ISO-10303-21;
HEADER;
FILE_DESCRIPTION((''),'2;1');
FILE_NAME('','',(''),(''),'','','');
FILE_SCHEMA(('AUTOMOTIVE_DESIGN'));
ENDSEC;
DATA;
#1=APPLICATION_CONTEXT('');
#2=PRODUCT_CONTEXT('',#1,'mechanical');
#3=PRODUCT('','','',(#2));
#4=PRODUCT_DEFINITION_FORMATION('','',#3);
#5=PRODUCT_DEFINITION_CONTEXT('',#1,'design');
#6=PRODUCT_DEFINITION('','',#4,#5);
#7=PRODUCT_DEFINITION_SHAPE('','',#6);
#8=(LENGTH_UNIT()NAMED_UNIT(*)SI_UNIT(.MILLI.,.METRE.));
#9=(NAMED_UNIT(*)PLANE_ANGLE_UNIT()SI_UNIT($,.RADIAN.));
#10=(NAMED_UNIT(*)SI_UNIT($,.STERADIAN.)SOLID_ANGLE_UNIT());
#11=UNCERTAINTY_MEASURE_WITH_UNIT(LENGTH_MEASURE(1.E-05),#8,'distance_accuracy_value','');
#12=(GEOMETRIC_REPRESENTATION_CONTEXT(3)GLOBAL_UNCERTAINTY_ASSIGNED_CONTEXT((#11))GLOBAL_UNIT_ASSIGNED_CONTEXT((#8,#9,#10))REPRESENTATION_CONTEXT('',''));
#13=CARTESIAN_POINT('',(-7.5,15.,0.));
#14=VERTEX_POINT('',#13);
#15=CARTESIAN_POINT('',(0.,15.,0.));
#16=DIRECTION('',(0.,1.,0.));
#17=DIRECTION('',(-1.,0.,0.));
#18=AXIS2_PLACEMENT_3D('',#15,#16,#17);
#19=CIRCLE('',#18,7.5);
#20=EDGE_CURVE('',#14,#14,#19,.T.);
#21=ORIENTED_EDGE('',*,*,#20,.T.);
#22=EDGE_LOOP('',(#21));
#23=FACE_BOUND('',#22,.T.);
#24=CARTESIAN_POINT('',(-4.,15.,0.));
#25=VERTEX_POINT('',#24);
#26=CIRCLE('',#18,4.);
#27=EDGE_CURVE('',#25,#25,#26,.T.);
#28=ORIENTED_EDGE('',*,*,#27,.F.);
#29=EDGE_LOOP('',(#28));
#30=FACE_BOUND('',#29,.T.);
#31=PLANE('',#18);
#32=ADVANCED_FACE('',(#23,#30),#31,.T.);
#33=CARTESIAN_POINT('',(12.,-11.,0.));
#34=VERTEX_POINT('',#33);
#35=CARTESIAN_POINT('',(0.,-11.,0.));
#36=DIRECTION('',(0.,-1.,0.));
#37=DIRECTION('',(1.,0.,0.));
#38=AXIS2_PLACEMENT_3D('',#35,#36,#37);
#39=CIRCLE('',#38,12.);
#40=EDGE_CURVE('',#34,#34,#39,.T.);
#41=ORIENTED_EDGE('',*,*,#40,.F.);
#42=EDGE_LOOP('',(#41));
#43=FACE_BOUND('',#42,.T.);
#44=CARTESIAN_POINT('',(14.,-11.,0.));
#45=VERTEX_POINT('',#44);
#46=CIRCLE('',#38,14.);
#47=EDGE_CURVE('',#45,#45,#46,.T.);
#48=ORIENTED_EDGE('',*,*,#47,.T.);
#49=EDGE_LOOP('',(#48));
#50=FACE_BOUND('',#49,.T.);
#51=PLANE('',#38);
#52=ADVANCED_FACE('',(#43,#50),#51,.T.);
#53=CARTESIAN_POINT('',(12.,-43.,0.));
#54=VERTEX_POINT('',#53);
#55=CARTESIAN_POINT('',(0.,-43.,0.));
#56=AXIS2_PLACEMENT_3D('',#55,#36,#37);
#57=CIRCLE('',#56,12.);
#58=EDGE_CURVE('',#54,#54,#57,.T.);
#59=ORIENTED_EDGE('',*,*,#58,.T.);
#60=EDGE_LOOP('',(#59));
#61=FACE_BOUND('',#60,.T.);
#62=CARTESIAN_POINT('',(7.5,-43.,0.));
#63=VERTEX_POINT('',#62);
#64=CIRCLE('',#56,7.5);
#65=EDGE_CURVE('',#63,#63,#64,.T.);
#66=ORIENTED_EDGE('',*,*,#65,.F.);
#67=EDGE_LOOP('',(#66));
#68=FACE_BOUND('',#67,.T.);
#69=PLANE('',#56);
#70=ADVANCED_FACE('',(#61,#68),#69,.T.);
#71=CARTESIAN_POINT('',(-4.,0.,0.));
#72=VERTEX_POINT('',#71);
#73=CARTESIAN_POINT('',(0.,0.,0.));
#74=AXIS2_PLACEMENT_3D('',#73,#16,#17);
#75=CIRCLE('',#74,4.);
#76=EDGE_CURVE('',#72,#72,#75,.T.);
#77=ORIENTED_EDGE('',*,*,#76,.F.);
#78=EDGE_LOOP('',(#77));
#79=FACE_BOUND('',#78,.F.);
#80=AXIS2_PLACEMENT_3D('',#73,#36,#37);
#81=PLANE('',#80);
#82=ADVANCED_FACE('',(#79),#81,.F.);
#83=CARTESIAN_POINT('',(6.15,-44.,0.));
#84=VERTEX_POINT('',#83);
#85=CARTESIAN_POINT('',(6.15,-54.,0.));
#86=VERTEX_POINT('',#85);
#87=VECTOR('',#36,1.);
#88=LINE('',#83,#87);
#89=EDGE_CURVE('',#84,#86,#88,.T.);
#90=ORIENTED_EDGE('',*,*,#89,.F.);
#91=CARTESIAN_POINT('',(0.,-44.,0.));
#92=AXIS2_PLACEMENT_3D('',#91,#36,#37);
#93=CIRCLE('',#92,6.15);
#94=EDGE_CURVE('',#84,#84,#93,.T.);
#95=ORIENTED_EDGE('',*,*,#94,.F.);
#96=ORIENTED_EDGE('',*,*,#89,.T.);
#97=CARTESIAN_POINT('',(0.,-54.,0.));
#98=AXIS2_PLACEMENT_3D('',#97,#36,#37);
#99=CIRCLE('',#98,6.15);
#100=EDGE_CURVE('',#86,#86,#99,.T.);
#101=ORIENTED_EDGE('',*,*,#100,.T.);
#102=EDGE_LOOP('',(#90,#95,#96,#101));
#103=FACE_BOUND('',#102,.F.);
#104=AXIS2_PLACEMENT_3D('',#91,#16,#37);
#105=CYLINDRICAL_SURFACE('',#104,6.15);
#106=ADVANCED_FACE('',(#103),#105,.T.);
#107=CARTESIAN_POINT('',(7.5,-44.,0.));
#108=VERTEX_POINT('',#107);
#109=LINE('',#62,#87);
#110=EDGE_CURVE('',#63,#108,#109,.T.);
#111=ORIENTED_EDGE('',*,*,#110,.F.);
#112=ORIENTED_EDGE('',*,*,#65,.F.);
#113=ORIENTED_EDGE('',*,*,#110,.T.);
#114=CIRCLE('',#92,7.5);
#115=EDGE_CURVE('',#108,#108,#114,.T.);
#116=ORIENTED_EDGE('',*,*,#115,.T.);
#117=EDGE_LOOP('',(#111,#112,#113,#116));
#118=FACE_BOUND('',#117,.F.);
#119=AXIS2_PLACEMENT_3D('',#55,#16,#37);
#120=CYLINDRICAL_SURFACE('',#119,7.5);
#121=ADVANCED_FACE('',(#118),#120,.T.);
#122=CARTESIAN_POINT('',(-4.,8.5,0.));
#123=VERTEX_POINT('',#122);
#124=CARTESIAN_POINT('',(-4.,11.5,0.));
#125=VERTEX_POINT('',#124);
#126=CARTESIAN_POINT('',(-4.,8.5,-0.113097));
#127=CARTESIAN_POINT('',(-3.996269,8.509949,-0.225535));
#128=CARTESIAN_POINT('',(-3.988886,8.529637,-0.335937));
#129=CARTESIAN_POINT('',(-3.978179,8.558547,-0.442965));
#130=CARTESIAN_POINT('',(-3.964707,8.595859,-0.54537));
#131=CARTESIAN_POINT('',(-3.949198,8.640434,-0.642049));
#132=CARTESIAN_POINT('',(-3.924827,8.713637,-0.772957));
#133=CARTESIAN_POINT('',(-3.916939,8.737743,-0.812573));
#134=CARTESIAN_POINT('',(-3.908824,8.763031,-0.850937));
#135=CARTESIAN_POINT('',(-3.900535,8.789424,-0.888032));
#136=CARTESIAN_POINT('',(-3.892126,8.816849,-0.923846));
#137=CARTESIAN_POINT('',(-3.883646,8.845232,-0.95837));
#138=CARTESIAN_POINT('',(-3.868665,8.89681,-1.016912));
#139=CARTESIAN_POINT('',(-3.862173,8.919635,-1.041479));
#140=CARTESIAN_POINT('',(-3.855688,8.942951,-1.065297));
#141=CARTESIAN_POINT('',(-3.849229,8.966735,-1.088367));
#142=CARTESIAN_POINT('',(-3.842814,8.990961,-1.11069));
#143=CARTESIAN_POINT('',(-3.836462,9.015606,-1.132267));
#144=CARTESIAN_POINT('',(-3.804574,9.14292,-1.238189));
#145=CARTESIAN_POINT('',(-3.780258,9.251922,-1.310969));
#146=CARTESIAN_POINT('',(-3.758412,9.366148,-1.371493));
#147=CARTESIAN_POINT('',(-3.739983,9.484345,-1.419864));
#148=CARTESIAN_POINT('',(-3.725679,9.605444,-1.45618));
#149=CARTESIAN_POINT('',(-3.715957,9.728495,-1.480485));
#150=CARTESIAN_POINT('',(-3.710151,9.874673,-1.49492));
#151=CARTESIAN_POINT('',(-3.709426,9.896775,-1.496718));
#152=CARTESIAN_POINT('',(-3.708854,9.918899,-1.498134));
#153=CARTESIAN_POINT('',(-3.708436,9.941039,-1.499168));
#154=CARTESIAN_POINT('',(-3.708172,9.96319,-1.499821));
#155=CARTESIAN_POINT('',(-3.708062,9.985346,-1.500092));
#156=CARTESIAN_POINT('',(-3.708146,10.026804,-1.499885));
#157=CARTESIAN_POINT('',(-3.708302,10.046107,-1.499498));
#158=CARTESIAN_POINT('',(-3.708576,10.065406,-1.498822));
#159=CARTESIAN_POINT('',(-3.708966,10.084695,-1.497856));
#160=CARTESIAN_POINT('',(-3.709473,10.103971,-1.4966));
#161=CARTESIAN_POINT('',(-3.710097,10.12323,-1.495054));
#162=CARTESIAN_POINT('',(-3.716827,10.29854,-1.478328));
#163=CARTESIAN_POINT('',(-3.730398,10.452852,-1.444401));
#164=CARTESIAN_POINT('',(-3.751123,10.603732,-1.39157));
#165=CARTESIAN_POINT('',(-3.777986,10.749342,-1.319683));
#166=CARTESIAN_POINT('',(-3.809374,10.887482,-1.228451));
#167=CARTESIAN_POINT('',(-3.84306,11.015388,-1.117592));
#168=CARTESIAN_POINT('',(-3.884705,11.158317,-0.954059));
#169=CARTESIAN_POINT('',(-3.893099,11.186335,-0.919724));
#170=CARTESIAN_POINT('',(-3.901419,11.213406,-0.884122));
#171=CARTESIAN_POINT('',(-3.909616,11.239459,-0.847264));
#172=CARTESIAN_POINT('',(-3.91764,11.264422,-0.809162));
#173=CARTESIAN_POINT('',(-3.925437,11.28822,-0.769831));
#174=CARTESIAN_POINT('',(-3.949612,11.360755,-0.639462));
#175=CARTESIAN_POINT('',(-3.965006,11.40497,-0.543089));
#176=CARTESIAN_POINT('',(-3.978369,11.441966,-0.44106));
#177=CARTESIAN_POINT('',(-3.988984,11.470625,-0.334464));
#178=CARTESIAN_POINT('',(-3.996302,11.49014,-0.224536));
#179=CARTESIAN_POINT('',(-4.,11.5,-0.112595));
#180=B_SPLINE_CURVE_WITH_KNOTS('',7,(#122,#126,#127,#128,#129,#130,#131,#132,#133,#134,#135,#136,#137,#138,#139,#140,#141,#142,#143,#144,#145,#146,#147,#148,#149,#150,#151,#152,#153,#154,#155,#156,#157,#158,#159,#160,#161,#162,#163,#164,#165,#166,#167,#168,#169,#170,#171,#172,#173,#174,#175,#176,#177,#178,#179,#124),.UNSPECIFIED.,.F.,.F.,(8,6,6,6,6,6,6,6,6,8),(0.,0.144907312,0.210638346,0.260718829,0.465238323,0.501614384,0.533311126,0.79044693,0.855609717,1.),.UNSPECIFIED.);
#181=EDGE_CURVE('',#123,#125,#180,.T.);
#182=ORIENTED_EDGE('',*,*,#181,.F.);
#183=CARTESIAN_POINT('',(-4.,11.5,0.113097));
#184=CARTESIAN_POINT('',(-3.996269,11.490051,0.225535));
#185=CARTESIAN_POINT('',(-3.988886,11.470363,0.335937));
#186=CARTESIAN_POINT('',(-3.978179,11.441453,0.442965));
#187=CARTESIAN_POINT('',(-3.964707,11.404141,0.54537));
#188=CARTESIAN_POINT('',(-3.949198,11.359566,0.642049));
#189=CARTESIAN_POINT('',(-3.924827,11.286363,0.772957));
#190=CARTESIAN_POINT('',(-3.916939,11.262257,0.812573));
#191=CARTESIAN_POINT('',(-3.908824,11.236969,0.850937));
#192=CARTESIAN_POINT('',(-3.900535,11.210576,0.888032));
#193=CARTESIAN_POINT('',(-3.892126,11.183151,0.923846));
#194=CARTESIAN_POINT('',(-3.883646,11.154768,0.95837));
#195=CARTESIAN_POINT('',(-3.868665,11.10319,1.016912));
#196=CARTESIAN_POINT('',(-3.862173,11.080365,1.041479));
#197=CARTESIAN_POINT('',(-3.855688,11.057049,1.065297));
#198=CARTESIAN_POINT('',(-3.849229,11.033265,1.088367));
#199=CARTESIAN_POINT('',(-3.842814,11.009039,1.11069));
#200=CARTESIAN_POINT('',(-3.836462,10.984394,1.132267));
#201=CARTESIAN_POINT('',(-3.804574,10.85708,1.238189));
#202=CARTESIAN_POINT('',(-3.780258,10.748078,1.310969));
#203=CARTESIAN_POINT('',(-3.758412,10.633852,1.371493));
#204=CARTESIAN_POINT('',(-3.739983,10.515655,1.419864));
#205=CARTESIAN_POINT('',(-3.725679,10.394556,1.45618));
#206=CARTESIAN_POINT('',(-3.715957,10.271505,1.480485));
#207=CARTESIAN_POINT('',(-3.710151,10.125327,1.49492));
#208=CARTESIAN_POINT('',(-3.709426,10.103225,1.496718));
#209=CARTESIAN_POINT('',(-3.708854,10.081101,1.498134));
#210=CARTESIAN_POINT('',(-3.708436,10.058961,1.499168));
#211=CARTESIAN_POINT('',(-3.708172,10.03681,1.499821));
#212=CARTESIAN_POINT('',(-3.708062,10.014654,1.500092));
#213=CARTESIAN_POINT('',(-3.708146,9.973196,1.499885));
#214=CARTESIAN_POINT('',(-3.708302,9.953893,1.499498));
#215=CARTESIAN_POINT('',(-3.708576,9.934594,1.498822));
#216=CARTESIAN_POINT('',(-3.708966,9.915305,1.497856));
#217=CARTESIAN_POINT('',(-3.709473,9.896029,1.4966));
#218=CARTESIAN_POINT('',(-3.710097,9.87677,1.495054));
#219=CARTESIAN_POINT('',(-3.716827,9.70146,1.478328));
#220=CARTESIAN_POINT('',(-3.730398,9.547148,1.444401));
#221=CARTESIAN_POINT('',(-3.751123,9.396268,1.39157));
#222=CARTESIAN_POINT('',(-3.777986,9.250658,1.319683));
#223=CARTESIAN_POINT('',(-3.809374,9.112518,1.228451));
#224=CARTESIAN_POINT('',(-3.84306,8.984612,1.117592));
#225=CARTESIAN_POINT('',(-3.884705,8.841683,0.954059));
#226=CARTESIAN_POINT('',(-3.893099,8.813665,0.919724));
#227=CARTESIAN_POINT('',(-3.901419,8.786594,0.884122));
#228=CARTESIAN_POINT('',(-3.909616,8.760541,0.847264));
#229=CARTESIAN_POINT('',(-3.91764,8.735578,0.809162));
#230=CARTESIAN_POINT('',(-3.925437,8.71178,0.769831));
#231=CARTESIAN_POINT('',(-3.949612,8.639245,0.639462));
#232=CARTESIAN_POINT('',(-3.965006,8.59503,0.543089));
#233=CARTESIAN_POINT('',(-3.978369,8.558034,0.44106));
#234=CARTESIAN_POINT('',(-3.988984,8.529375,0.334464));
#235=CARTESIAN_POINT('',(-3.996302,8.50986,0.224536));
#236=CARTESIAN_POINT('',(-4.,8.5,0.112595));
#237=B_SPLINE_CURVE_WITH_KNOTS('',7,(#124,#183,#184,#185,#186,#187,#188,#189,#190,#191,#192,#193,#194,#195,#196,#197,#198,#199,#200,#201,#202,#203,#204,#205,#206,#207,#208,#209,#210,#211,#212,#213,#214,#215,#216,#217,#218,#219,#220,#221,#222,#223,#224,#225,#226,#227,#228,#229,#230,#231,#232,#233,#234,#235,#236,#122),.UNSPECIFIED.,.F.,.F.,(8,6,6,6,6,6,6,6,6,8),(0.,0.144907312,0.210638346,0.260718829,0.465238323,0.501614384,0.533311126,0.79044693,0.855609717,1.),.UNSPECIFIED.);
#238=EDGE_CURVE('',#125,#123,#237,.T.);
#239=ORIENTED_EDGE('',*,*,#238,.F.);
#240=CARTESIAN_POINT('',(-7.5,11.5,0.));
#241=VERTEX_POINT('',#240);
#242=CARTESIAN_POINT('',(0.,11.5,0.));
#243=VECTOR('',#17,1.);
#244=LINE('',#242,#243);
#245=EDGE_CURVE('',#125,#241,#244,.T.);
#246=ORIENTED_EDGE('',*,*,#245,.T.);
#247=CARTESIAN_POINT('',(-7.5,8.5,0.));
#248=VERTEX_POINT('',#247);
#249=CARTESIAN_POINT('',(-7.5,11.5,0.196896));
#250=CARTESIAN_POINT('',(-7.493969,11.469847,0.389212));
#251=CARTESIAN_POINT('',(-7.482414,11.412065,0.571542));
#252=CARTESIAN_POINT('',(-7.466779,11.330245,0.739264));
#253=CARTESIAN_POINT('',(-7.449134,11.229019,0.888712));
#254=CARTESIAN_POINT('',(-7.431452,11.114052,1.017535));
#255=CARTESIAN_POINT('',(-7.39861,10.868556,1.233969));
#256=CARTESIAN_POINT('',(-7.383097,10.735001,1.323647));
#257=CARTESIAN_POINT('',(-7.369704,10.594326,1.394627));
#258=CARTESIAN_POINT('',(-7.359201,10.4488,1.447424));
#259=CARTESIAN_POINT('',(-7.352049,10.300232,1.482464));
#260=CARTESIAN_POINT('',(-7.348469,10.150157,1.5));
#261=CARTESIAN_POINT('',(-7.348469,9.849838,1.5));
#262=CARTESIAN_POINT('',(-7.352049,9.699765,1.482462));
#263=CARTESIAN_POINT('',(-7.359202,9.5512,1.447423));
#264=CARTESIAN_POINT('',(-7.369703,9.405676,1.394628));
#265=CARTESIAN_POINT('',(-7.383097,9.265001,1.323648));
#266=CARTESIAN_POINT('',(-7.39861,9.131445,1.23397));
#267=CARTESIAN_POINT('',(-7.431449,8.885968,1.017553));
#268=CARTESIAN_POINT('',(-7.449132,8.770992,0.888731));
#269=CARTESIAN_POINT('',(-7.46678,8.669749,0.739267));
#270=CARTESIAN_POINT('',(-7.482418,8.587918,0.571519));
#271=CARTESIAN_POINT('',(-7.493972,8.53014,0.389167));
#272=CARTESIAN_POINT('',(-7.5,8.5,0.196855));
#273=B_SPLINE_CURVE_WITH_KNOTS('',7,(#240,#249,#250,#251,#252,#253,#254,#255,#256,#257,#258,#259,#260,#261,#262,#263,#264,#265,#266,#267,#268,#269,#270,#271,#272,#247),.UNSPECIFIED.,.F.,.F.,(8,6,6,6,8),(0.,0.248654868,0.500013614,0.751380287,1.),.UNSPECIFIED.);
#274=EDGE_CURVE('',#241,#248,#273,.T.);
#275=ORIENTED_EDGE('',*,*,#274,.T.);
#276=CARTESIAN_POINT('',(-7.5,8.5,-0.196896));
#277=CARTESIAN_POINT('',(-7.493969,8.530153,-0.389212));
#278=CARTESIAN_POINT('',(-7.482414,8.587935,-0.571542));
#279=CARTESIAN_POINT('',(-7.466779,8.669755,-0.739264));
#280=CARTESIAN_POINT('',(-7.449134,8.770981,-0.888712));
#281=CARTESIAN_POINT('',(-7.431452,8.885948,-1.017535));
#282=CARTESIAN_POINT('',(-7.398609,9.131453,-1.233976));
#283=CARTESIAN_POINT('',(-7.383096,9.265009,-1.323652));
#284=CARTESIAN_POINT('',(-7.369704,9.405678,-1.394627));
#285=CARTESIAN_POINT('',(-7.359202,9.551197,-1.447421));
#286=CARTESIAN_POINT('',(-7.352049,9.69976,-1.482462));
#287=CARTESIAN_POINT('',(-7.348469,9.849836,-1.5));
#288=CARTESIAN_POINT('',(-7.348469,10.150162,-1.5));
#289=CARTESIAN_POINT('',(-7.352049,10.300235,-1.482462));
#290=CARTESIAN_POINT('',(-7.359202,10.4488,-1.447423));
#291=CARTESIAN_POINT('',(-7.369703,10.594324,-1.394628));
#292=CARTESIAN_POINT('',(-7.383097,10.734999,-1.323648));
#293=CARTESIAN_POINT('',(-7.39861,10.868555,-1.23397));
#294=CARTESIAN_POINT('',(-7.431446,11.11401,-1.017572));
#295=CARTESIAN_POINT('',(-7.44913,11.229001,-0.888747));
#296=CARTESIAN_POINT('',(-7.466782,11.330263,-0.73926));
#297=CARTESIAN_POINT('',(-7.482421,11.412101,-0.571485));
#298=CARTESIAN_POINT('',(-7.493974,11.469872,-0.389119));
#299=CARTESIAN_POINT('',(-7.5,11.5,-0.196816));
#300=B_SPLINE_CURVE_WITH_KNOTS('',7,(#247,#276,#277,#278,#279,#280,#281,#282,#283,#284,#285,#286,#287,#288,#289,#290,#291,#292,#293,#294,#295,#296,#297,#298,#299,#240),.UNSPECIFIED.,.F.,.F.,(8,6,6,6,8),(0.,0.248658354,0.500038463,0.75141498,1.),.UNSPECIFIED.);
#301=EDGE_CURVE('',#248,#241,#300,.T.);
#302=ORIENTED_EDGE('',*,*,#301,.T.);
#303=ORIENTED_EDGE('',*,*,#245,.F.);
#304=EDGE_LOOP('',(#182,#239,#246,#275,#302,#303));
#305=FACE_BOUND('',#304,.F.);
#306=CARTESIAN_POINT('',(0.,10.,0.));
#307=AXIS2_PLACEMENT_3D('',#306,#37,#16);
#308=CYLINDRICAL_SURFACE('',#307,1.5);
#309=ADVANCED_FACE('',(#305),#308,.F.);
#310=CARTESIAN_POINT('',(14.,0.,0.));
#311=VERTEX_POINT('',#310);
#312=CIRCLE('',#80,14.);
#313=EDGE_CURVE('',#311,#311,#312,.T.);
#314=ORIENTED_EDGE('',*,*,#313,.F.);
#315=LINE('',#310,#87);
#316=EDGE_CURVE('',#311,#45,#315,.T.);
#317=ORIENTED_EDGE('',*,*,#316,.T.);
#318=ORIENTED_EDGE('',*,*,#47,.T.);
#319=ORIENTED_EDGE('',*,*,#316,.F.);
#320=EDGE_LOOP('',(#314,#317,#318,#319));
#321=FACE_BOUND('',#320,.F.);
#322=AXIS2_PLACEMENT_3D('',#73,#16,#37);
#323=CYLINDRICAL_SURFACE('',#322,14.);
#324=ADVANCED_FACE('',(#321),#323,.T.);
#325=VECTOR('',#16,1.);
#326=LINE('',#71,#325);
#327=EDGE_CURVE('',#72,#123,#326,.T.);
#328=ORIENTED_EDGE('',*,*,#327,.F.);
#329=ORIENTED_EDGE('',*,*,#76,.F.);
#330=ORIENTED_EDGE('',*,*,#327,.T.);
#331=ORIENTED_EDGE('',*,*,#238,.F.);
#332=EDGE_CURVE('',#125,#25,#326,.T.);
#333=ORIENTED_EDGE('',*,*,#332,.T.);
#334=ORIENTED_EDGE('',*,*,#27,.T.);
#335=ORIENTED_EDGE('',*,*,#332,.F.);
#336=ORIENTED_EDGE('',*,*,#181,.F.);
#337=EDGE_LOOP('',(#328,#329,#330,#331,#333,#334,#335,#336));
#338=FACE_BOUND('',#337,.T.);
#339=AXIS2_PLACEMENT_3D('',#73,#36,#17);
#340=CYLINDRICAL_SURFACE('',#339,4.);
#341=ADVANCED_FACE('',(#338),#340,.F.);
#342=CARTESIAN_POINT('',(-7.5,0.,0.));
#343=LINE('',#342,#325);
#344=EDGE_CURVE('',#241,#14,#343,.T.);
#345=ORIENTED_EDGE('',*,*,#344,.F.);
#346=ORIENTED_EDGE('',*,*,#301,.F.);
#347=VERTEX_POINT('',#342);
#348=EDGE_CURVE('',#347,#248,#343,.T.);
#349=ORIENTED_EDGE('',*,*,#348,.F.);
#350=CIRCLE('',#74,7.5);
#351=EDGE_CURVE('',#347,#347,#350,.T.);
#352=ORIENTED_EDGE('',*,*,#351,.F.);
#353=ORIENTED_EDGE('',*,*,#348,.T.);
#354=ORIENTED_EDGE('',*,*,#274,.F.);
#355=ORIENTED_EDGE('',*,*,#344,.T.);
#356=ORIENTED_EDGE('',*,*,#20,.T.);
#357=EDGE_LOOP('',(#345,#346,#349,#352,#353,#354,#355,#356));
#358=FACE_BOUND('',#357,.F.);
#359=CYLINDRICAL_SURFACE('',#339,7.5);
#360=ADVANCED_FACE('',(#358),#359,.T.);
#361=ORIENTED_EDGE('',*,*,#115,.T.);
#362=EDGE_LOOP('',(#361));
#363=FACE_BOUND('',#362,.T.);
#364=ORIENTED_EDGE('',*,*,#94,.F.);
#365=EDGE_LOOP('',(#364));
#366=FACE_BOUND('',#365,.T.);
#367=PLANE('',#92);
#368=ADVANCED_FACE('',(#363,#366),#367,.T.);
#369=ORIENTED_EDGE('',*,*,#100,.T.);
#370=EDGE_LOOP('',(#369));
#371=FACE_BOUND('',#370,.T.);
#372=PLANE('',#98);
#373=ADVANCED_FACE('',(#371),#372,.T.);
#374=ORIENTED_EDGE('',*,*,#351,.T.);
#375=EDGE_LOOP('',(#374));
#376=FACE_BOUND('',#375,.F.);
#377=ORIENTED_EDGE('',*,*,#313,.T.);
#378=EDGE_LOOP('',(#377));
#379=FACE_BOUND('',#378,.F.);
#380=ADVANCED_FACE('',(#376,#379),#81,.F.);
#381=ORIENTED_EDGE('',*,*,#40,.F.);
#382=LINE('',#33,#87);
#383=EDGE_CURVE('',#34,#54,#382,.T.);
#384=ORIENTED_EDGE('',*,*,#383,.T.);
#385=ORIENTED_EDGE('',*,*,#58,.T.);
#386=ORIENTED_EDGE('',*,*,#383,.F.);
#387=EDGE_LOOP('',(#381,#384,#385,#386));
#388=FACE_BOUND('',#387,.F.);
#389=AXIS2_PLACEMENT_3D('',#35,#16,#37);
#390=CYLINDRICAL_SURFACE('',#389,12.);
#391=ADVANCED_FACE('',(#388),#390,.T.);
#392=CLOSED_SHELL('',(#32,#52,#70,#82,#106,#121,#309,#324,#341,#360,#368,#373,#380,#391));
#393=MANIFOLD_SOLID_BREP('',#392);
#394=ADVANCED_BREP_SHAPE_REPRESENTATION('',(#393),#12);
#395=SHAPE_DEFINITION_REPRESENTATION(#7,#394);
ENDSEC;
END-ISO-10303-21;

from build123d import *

# Parameters (mm, degrees)
F0_R      = 14
F1_DEPTH  = 11
F2_R      = 12
F3_DEPTH  = 32
F4_R      = 7.5
F4_R_2    = 4
F5_DEPTH  = 15
F6_R      = 7.5
F7_DEPTH  = 1
F8_R      = 6.15
F9_DEPTH  = 10
F10_R     = 1.5
F11_DEPTH = 25


with BuildPart() as f1:
    # F0 (on Front) → F1 (new body)
    with BuildSketch(Plane.XZ):
        Circle(F0_R)
    extrude(amount=F1_DEPTH)

    # F2 (on face) → F3 (join)
    with BuildSketch(Plane.XZ.offset(11)):
        Circle(F2_R)
    extrude(amount=F3_DEPTH)

    # F4 (on face) → F5 (join)
    with BuildSketch(Plane(origin=(0, 0, 0), x_dir=(-1, 0, 0), z_dir=(0, 1, 0))):
        Circle(F4_R)
        Circle(F4_R_2, mode=Mode.SUBTRACT)
    extrude(amount=F5_DEPTH)

    # F6 (on face) → F7 (join)
    with BuildSketch(Plane.XZ.offset(43)):
        Circle(F6_R)
    extrude(amount=F7_DEPTH)

    # F8 (on face) → F9 (join)
    with BuildSketch(Plane.XZ.offset(44)):
        Circle(F8_R)
    extrude(amount=F9_DEPTH)

    # F10 (on Right) → F11 (cut)
    with BuildSketch(Plane.YZ):
        with Locations((10, 0)):
            Circle(F10_R)
    extrude(amount=-F11_DEPTH, mode=Mode.SUBTRACT)


solid = f1.part
